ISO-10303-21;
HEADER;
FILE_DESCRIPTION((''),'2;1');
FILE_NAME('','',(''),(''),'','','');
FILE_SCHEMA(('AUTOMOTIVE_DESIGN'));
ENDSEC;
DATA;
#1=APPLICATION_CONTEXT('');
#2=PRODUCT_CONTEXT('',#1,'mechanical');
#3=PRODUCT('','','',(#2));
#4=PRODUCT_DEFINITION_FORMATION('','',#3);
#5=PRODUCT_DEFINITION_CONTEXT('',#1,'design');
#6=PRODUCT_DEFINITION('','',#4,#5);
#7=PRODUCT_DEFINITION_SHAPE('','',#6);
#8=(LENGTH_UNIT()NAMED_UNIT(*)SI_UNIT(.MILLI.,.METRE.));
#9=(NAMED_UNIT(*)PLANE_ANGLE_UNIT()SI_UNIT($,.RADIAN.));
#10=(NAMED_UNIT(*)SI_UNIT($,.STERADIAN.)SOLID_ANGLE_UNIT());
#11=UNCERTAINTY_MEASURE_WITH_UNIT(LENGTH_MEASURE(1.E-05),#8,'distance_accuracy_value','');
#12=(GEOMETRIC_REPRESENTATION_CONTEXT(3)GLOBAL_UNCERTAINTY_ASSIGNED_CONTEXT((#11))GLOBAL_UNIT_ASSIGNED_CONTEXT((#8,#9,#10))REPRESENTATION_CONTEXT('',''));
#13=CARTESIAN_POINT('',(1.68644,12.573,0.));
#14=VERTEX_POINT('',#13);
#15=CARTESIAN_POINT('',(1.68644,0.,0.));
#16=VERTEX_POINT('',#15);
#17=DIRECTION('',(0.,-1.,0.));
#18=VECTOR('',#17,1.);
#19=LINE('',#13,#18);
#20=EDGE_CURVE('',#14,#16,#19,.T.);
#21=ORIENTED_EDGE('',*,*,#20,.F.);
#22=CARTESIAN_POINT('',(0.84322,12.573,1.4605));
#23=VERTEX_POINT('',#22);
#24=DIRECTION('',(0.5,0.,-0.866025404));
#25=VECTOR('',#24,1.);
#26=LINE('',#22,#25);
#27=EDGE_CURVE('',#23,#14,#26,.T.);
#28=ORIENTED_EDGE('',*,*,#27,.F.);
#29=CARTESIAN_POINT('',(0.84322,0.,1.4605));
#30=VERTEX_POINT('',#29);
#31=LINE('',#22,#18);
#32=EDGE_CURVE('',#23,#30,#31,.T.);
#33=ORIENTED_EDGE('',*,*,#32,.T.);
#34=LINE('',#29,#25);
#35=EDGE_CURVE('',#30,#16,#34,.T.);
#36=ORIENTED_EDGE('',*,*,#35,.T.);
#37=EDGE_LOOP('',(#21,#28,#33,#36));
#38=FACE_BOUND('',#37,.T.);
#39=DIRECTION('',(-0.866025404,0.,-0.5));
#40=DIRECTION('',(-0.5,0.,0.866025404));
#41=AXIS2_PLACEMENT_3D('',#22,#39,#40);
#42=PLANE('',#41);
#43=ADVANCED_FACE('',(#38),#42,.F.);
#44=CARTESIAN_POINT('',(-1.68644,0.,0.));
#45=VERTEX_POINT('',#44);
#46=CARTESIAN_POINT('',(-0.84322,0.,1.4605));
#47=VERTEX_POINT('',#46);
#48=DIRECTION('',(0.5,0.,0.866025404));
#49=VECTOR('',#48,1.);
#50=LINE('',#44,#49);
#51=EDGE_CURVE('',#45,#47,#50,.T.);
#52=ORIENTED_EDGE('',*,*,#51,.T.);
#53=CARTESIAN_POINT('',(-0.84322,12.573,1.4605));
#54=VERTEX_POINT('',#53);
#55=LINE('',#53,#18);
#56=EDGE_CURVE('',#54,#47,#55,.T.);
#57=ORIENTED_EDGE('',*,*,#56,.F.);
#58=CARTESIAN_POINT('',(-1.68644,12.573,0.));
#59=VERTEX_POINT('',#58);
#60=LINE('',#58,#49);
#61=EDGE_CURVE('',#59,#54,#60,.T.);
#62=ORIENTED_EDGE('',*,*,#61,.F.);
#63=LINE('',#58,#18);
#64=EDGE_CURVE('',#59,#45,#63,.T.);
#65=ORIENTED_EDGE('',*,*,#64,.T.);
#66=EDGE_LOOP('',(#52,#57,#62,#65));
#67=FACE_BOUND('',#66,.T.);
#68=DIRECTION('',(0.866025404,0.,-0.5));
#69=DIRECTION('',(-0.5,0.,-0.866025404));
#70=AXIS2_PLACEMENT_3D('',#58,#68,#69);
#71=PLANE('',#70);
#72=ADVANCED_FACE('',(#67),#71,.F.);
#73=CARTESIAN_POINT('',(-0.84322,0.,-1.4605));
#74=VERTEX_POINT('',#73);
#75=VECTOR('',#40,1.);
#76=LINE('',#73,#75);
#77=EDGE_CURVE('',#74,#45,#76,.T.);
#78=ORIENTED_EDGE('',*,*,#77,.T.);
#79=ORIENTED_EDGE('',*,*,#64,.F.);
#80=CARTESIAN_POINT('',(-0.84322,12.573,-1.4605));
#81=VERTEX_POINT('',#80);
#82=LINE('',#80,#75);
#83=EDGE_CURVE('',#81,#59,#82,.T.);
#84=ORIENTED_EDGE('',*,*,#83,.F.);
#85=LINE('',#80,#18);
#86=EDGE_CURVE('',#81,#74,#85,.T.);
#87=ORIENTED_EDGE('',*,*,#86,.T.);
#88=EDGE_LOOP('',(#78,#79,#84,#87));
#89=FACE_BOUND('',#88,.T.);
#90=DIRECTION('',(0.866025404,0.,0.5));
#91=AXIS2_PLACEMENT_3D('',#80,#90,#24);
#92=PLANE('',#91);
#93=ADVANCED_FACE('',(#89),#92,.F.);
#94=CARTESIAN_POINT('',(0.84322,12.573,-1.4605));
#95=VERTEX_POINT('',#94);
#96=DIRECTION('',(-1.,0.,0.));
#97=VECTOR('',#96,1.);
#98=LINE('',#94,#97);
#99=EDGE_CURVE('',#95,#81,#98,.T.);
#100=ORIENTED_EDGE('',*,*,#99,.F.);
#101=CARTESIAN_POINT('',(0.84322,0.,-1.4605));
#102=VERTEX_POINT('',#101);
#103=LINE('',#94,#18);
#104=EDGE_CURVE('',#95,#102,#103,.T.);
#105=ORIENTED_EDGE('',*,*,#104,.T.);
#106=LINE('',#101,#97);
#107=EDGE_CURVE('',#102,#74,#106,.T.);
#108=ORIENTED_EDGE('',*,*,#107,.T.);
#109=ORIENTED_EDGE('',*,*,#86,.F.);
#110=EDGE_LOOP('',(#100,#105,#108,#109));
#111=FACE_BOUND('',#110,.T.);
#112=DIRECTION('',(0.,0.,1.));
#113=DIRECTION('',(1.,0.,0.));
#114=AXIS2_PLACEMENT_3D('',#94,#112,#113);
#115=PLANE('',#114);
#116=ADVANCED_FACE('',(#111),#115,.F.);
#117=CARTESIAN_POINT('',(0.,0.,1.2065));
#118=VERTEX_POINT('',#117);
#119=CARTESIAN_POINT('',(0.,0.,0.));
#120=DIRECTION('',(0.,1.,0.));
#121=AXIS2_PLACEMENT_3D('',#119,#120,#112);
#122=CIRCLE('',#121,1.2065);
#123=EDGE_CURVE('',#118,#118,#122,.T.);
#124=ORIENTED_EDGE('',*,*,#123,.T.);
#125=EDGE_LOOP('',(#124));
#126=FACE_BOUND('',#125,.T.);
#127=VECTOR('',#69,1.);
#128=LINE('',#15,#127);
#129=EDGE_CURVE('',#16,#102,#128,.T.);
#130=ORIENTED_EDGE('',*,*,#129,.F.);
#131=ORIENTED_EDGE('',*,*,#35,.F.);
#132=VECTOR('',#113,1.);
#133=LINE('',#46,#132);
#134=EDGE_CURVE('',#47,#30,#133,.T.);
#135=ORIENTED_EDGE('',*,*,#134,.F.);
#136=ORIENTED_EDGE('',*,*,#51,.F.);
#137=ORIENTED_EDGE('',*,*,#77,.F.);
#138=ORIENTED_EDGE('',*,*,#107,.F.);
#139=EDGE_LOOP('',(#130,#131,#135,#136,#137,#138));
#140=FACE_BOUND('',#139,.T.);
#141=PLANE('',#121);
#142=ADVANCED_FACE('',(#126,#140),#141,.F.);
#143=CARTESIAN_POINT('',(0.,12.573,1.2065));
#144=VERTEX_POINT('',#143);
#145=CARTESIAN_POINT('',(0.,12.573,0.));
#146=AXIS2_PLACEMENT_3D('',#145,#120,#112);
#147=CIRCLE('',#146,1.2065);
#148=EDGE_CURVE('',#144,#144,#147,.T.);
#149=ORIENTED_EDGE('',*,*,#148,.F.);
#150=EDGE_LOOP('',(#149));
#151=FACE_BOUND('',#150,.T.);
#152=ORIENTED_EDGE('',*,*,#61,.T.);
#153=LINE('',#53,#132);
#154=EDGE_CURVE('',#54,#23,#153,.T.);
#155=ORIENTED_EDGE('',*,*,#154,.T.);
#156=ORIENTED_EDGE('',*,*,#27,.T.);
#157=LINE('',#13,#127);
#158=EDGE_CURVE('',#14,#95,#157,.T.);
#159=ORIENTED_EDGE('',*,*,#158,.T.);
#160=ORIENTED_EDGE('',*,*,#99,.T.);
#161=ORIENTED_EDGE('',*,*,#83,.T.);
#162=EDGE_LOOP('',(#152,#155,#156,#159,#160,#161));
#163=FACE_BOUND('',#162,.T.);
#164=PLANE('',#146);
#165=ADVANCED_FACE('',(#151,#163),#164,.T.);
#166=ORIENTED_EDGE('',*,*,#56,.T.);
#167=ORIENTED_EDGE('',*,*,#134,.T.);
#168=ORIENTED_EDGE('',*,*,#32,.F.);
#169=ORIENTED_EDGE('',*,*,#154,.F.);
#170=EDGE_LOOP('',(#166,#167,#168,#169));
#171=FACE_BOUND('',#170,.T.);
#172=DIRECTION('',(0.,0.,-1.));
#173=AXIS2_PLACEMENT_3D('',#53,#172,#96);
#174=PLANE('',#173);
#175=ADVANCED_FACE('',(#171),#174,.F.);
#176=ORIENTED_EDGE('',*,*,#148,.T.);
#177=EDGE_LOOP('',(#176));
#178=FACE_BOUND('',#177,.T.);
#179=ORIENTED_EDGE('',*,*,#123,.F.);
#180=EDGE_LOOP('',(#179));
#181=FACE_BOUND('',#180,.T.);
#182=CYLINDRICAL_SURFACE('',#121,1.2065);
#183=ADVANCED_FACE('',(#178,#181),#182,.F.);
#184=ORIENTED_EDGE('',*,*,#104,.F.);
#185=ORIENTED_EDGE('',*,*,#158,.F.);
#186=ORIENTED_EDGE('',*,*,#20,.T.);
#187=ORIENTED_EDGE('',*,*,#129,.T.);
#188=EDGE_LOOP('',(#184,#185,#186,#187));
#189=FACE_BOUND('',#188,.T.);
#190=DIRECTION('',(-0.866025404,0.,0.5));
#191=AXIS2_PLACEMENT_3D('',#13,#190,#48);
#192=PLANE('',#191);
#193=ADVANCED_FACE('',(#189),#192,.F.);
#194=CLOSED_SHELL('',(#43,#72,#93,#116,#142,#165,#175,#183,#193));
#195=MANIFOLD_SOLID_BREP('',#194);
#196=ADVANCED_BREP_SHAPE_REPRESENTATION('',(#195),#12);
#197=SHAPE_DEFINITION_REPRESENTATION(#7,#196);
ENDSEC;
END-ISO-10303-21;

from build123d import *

# Parameters (mm, degrees)
BOSS_EXTRUDE1_DEPTH = 12.573
SKETCH2_R           = 1.2065
CUT_EXTRUDE1_DEPTH  = 13.769395819


with BuildPart() as part:
    # Sketch1 → Boss-Extrude1 (new body)
    with BuildSketch(Plane(origin=(0, 0, 0), x_dir=(1, 0, 0), z_dir=(0, 1, 0))):
        Polygon((-1.686440136, 0), (-0.843220068, -1.4605), (0.843220068, -1.4605), (1.686440136, 0), (0.843220068, 1.4605), (-0.843220068, 1.4605), align=None)
    extrude(amount=BOSS_EXTRUDE1_DEPTH)

    # Sketch2 → Cut-Extrude1 (cut, through all)
    with BuildSketch(Plane(origin=(0, 12.573, 0), x_dir=(1, 0, 0), z_dir=(0, 1, 0))):
        with Locations(Location((0, 0, 0), (0, 0, 270))):
            Circle(SKETCH2_R)
    extrude(amount=-CUT_EXTRUDE1_DEPTH, mode=Mode.SUBTRACT)


solid = part.part
